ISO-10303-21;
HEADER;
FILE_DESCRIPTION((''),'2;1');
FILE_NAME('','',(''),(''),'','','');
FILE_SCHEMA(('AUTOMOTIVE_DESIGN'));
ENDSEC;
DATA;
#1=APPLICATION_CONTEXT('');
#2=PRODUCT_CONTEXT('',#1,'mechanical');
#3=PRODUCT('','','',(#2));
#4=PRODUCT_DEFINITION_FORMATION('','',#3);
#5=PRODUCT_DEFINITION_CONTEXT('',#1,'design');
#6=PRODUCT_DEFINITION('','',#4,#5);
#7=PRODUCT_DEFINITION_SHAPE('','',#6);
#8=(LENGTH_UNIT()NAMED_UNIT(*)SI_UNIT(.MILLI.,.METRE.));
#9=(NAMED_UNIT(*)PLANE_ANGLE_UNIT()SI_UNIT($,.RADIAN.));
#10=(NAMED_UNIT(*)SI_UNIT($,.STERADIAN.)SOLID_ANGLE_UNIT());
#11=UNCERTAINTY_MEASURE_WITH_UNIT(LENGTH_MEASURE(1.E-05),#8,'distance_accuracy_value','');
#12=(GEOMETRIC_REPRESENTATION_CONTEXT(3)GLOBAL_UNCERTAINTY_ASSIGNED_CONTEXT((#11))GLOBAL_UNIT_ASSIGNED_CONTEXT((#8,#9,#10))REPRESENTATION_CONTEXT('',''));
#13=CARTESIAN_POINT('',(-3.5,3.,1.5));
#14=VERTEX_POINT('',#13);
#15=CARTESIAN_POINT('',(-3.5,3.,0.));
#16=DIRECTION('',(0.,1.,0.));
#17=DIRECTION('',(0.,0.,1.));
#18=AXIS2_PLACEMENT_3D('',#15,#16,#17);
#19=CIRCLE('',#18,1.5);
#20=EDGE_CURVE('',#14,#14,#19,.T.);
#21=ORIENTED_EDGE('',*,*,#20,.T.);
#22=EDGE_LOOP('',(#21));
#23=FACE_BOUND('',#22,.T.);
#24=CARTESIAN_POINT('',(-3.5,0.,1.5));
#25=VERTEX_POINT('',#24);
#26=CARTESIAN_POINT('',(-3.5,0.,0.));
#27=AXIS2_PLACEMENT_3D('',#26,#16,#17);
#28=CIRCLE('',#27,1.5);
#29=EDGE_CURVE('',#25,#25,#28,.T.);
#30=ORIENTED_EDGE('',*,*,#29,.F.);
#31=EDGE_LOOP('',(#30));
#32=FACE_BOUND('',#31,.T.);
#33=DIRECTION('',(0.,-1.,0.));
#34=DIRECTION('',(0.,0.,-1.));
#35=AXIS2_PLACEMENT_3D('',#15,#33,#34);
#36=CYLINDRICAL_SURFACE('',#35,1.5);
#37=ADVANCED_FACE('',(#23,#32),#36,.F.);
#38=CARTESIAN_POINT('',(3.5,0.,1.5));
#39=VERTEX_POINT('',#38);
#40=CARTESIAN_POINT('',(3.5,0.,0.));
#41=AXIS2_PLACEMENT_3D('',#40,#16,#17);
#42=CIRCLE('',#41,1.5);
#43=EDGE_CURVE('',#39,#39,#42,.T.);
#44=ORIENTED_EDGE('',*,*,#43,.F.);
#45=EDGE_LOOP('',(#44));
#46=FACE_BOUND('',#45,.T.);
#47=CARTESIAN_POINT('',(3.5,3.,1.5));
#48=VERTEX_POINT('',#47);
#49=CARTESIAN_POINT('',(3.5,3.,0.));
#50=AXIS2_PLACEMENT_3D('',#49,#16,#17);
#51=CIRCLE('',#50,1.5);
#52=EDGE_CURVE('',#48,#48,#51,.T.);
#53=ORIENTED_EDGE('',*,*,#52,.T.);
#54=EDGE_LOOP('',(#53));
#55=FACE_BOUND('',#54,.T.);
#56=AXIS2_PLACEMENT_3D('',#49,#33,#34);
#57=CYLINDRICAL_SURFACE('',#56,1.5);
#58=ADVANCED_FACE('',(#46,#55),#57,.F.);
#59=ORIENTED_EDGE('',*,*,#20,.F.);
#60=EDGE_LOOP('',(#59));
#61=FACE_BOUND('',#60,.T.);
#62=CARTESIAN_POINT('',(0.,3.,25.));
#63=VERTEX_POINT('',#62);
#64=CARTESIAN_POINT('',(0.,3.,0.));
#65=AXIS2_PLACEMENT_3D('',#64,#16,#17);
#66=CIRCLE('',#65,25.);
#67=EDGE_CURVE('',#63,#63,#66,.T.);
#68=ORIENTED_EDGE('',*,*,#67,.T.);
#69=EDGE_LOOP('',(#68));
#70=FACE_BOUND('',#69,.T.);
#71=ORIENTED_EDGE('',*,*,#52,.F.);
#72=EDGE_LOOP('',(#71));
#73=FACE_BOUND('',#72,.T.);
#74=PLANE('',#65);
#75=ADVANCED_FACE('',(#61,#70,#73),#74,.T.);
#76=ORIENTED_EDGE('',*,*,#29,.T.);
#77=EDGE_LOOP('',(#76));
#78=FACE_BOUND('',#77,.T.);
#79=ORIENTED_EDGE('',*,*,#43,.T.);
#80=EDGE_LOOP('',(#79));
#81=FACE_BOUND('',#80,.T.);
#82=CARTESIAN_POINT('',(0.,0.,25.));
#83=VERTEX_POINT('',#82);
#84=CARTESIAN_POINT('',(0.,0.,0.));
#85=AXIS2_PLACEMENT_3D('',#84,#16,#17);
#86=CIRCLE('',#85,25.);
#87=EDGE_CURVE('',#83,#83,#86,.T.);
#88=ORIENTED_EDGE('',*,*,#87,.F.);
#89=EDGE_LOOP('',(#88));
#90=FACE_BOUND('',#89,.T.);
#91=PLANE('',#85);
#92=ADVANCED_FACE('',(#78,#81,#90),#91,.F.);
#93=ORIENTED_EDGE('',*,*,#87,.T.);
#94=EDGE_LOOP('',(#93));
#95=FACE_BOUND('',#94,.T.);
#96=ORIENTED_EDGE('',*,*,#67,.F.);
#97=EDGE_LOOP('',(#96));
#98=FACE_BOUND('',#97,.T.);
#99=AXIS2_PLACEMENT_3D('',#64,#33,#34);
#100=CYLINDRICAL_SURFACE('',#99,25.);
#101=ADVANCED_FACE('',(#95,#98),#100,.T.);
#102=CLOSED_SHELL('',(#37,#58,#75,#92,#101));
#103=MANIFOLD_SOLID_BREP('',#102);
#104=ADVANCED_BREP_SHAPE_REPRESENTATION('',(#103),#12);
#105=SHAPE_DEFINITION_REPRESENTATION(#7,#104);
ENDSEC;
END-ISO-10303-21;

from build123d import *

# Parameters (mm, degrees)
ESQUISSE1_R        = 25
ESQUISSE1_R_2      = 1.5
BOSS_EXTRU_1_DEPTH = 3


with BuildPart() as part:
    # Esquisse1 → Boss.-Extru.1 (new body)
    with BuildSketch(Plane(origin=(0, 0, 0), x_dir=(1, 0, 0), z_dir=(0, 1, 0))):
        with Locations(Location((0, 0, 0), (0, 0, 270))):
            Circle(ESQUISSE1_R)
        with Locations(Location((-3.5, 0, 0), (0, 0, 270))):
            Circle(ESQUISSE1_R_2, mode=Mode.SUBTRACT)
        with Locations(Location((3.5, 0, 0), (0, 0, 270))):
            Circle(ESQUISSE1_R_2, mode=Mode.SUBTRACT)
    extrude(amount=BOSS_EXTRU_1_DEPTH)


solid = part.part
